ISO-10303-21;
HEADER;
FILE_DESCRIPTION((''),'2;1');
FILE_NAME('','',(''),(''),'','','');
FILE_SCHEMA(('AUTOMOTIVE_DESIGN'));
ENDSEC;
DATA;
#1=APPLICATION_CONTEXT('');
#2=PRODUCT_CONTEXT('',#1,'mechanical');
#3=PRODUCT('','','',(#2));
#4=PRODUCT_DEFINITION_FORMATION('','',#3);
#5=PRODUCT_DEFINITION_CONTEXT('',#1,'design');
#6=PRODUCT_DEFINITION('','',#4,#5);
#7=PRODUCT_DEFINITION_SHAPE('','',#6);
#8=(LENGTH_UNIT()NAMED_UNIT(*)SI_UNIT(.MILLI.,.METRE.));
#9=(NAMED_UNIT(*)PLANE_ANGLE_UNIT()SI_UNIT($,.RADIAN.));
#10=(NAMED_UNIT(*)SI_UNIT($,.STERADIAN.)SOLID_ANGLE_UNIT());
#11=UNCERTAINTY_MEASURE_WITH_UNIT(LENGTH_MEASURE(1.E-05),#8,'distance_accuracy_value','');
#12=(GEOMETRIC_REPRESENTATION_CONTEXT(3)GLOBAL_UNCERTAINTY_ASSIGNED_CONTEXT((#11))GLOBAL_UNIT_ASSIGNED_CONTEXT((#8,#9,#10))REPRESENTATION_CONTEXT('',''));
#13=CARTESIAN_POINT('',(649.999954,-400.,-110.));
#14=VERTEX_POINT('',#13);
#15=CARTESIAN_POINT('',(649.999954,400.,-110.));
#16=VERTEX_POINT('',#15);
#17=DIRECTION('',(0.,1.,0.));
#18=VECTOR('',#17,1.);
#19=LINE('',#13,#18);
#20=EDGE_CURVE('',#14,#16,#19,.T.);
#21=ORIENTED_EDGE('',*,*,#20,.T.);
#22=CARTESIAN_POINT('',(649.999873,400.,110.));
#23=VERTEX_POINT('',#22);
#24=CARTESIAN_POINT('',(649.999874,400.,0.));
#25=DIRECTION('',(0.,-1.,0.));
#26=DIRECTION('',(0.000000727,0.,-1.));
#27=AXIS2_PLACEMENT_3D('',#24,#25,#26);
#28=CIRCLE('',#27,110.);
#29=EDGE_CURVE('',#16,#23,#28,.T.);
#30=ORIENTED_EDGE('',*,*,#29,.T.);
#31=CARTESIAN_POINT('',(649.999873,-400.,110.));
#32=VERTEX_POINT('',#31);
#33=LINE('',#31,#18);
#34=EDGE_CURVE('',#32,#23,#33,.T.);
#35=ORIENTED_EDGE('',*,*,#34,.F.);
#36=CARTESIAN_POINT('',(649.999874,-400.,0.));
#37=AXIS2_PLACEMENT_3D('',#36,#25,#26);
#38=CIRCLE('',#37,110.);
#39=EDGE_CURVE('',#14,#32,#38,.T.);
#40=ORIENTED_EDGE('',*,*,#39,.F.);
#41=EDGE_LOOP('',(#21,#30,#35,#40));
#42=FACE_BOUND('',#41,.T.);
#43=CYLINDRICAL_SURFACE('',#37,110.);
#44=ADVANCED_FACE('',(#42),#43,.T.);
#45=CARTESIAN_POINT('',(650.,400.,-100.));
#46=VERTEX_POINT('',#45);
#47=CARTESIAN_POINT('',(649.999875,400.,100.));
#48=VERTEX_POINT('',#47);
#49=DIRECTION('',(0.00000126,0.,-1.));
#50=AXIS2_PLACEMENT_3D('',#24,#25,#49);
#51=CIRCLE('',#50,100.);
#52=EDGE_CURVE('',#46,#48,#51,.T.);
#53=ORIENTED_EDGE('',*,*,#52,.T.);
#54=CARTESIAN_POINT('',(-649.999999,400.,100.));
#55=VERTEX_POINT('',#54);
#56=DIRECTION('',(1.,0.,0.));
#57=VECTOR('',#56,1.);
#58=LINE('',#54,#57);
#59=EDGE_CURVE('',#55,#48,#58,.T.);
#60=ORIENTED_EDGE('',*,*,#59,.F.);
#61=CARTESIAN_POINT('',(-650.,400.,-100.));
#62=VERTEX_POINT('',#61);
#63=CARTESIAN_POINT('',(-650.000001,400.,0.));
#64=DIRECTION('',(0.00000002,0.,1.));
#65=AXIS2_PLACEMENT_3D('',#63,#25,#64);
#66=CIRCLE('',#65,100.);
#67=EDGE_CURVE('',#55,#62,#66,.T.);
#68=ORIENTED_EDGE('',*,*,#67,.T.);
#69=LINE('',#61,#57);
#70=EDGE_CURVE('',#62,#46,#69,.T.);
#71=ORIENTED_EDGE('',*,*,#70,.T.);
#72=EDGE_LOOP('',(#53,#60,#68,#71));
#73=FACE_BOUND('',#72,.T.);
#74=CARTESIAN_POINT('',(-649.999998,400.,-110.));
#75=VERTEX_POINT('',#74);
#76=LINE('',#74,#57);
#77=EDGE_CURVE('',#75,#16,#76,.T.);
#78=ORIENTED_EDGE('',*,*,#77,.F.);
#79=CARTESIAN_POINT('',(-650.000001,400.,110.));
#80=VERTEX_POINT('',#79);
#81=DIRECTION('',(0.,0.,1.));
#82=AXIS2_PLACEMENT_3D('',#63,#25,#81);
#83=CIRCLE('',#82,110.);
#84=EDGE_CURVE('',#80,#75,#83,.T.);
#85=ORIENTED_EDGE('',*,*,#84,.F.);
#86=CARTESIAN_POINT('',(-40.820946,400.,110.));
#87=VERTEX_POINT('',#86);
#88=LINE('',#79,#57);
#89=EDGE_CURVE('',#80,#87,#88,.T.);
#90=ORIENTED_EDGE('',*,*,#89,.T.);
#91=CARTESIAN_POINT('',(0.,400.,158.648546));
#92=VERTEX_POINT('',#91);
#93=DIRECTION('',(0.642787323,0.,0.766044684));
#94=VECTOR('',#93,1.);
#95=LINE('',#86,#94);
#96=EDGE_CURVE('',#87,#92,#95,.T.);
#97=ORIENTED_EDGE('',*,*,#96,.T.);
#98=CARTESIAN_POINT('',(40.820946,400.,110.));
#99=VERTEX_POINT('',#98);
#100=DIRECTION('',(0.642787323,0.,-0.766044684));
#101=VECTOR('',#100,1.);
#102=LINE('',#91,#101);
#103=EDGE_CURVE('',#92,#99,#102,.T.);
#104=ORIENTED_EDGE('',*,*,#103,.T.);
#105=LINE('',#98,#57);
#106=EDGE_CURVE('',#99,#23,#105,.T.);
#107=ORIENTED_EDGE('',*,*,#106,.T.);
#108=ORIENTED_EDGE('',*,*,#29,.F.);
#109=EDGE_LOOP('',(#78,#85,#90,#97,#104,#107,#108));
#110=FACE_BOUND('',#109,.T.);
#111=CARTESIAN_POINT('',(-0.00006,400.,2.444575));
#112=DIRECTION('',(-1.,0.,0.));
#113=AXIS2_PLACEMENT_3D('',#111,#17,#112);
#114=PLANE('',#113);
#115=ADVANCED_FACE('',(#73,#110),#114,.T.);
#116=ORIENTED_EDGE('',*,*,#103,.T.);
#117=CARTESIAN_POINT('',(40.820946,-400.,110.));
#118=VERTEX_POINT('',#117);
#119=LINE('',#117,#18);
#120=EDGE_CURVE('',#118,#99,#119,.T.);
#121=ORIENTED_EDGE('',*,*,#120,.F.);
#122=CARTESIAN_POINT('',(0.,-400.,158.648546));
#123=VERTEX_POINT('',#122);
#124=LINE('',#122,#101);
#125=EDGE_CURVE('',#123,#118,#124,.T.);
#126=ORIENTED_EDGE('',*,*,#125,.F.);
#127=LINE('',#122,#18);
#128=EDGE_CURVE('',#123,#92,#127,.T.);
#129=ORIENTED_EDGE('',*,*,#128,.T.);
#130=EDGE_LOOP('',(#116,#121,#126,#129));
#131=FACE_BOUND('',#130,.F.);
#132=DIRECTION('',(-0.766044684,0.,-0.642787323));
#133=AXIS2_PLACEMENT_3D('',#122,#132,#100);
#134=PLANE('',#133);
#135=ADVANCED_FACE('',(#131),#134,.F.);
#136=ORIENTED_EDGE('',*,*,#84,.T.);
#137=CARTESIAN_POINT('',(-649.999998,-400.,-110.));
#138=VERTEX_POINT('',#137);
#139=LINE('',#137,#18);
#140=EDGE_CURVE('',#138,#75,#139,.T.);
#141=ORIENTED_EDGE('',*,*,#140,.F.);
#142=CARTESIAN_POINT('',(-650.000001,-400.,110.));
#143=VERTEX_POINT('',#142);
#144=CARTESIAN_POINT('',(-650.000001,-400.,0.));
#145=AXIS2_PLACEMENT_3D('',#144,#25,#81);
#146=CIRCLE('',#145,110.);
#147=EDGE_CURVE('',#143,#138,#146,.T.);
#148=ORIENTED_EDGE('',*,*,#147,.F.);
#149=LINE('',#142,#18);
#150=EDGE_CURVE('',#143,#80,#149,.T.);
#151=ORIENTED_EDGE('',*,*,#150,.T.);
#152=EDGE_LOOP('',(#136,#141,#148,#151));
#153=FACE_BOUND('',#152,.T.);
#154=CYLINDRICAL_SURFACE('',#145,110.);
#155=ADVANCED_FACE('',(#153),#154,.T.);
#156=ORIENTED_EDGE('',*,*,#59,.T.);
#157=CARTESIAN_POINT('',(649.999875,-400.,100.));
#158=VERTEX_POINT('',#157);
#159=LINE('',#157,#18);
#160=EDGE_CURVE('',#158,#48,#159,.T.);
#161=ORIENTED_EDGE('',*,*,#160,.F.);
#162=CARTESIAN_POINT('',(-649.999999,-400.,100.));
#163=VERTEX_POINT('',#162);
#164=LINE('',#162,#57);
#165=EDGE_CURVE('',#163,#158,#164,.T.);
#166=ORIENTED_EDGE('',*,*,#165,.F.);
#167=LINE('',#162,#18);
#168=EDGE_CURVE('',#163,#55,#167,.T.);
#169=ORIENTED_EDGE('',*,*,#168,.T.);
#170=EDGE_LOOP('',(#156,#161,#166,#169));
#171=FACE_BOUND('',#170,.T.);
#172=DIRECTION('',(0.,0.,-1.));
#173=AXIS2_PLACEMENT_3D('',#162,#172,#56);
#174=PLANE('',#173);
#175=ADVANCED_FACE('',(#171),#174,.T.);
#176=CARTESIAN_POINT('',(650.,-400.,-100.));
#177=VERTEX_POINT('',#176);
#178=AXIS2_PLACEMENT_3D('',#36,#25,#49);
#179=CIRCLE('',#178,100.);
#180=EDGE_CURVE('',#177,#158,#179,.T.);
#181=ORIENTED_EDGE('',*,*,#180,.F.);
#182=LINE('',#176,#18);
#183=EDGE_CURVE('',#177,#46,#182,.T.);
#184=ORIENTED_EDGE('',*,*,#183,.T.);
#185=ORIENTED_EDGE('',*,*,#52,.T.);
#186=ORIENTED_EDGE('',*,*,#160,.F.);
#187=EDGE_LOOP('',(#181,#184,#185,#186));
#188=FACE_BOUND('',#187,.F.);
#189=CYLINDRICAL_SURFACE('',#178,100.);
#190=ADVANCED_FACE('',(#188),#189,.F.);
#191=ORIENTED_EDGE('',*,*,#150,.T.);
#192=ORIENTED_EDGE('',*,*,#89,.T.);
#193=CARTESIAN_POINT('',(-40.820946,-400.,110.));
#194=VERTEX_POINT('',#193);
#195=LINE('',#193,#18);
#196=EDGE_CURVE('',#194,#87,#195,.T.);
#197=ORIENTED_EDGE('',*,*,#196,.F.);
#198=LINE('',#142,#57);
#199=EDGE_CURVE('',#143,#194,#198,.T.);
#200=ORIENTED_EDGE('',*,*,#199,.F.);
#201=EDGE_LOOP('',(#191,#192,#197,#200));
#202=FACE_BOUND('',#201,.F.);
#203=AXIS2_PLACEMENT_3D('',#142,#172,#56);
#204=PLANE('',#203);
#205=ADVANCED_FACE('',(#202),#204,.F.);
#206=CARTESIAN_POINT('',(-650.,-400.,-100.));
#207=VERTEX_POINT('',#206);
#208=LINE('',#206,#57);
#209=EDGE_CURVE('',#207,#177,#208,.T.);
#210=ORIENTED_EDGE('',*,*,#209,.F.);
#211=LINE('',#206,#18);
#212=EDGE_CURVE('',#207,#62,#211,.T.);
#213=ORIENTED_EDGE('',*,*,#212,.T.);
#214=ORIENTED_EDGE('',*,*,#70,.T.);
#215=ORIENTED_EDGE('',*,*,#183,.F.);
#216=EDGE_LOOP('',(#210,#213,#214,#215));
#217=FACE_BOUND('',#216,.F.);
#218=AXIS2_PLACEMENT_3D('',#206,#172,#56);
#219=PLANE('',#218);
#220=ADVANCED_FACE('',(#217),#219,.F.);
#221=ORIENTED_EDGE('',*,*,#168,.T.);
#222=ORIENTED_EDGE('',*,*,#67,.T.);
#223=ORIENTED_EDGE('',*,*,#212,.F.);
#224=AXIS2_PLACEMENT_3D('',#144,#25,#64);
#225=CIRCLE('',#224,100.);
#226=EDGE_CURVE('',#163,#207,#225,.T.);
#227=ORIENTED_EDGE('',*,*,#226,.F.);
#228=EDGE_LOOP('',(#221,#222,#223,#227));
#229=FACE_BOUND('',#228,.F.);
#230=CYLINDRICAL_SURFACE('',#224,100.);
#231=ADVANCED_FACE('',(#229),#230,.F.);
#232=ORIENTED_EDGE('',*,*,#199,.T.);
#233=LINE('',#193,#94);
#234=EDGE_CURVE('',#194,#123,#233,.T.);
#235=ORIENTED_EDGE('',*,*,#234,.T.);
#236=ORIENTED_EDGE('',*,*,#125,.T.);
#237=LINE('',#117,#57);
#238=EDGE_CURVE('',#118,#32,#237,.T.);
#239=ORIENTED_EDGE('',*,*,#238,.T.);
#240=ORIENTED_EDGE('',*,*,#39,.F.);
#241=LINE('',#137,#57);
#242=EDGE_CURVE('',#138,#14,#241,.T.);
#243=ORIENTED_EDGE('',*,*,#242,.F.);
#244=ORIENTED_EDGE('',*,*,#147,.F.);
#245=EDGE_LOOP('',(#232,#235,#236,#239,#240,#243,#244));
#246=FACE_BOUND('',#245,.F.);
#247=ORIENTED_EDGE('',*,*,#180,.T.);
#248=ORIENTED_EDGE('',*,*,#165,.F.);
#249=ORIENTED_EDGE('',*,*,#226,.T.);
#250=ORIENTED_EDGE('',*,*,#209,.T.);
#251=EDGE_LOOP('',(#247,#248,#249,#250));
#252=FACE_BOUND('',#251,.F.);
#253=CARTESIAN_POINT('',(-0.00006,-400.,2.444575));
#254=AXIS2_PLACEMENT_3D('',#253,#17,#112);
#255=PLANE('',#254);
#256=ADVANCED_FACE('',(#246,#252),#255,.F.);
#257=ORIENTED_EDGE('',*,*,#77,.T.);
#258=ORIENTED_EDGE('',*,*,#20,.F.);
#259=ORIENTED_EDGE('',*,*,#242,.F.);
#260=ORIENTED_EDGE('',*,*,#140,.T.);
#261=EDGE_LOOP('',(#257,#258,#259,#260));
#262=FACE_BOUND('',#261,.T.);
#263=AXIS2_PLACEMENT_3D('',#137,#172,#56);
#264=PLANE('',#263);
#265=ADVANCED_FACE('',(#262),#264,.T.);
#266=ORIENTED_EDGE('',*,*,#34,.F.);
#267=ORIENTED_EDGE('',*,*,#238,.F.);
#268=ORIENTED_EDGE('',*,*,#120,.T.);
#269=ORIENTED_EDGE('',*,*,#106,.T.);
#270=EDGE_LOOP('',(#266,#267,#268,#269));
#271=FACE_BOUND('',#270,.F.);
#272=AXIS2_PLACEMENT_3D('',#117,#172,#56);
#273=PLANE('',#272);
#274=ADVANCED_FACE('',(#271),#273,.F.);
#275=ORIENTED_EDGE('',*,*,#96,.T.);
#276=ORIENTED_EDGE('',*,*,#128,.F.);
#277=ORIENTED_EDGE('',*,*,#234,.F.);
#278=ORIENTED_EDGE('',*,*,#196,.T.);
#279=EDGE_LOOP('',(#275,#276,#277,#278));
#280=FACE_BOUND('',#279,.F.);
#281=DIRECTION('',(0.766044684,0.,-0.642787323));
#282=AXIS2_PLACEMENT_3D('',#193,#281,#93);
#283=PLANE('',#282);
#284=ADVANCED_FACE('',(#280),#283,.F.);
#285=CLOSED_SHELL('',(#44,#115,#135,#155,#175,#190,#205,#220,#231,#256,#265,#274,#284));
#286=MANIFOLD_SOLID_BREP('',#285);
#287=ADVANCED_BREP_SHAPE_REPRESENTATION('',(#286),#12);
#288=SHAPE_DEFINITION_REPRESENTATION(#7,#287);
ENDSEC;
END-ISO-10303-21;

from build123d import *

# Parameters (mm, degrees)
PAD_DEPTH = 800


with BuildPart() as part:
    # Sketch → Pad (new body)
    with BuildSketch(Plane.XZ.offset(400)):
        with BuildLine():
            Line((-650.000001, 110), (-40.820946, 110))
            Line((-40.820946, 110), (0, 158.648546))
            Line((0, 158.648546), (40.820946, 110))
            Line((40.820946, 110), (649.999873, 110))
            ThreePointArc((649.999954, -110), (759.999874, 4.1e-05), (649.999873, 110))
            Line((-649.999998, -110), (649.999954, -110))
            ThreePointArc((-650.000001, 110), (-760.000001, -2e-06), (-649.999998, -110))
        make_face()
        with BuildLine():
            Line((-649.999999, 100), (649.999875, 100))
            ThreePointArc((650, -100), (749.999874, 6.3e-05), (649.999875, 100))
            Line((-650, -100), (650, -100))
            ThreePointArc((-649.999999, 100), (-750.000001, 1e-06), (-650, -100))
        make_face(mode=Mode.SUBTRACT)
    extrude(amount=-PAD_DEPTH)


solid = part.part
